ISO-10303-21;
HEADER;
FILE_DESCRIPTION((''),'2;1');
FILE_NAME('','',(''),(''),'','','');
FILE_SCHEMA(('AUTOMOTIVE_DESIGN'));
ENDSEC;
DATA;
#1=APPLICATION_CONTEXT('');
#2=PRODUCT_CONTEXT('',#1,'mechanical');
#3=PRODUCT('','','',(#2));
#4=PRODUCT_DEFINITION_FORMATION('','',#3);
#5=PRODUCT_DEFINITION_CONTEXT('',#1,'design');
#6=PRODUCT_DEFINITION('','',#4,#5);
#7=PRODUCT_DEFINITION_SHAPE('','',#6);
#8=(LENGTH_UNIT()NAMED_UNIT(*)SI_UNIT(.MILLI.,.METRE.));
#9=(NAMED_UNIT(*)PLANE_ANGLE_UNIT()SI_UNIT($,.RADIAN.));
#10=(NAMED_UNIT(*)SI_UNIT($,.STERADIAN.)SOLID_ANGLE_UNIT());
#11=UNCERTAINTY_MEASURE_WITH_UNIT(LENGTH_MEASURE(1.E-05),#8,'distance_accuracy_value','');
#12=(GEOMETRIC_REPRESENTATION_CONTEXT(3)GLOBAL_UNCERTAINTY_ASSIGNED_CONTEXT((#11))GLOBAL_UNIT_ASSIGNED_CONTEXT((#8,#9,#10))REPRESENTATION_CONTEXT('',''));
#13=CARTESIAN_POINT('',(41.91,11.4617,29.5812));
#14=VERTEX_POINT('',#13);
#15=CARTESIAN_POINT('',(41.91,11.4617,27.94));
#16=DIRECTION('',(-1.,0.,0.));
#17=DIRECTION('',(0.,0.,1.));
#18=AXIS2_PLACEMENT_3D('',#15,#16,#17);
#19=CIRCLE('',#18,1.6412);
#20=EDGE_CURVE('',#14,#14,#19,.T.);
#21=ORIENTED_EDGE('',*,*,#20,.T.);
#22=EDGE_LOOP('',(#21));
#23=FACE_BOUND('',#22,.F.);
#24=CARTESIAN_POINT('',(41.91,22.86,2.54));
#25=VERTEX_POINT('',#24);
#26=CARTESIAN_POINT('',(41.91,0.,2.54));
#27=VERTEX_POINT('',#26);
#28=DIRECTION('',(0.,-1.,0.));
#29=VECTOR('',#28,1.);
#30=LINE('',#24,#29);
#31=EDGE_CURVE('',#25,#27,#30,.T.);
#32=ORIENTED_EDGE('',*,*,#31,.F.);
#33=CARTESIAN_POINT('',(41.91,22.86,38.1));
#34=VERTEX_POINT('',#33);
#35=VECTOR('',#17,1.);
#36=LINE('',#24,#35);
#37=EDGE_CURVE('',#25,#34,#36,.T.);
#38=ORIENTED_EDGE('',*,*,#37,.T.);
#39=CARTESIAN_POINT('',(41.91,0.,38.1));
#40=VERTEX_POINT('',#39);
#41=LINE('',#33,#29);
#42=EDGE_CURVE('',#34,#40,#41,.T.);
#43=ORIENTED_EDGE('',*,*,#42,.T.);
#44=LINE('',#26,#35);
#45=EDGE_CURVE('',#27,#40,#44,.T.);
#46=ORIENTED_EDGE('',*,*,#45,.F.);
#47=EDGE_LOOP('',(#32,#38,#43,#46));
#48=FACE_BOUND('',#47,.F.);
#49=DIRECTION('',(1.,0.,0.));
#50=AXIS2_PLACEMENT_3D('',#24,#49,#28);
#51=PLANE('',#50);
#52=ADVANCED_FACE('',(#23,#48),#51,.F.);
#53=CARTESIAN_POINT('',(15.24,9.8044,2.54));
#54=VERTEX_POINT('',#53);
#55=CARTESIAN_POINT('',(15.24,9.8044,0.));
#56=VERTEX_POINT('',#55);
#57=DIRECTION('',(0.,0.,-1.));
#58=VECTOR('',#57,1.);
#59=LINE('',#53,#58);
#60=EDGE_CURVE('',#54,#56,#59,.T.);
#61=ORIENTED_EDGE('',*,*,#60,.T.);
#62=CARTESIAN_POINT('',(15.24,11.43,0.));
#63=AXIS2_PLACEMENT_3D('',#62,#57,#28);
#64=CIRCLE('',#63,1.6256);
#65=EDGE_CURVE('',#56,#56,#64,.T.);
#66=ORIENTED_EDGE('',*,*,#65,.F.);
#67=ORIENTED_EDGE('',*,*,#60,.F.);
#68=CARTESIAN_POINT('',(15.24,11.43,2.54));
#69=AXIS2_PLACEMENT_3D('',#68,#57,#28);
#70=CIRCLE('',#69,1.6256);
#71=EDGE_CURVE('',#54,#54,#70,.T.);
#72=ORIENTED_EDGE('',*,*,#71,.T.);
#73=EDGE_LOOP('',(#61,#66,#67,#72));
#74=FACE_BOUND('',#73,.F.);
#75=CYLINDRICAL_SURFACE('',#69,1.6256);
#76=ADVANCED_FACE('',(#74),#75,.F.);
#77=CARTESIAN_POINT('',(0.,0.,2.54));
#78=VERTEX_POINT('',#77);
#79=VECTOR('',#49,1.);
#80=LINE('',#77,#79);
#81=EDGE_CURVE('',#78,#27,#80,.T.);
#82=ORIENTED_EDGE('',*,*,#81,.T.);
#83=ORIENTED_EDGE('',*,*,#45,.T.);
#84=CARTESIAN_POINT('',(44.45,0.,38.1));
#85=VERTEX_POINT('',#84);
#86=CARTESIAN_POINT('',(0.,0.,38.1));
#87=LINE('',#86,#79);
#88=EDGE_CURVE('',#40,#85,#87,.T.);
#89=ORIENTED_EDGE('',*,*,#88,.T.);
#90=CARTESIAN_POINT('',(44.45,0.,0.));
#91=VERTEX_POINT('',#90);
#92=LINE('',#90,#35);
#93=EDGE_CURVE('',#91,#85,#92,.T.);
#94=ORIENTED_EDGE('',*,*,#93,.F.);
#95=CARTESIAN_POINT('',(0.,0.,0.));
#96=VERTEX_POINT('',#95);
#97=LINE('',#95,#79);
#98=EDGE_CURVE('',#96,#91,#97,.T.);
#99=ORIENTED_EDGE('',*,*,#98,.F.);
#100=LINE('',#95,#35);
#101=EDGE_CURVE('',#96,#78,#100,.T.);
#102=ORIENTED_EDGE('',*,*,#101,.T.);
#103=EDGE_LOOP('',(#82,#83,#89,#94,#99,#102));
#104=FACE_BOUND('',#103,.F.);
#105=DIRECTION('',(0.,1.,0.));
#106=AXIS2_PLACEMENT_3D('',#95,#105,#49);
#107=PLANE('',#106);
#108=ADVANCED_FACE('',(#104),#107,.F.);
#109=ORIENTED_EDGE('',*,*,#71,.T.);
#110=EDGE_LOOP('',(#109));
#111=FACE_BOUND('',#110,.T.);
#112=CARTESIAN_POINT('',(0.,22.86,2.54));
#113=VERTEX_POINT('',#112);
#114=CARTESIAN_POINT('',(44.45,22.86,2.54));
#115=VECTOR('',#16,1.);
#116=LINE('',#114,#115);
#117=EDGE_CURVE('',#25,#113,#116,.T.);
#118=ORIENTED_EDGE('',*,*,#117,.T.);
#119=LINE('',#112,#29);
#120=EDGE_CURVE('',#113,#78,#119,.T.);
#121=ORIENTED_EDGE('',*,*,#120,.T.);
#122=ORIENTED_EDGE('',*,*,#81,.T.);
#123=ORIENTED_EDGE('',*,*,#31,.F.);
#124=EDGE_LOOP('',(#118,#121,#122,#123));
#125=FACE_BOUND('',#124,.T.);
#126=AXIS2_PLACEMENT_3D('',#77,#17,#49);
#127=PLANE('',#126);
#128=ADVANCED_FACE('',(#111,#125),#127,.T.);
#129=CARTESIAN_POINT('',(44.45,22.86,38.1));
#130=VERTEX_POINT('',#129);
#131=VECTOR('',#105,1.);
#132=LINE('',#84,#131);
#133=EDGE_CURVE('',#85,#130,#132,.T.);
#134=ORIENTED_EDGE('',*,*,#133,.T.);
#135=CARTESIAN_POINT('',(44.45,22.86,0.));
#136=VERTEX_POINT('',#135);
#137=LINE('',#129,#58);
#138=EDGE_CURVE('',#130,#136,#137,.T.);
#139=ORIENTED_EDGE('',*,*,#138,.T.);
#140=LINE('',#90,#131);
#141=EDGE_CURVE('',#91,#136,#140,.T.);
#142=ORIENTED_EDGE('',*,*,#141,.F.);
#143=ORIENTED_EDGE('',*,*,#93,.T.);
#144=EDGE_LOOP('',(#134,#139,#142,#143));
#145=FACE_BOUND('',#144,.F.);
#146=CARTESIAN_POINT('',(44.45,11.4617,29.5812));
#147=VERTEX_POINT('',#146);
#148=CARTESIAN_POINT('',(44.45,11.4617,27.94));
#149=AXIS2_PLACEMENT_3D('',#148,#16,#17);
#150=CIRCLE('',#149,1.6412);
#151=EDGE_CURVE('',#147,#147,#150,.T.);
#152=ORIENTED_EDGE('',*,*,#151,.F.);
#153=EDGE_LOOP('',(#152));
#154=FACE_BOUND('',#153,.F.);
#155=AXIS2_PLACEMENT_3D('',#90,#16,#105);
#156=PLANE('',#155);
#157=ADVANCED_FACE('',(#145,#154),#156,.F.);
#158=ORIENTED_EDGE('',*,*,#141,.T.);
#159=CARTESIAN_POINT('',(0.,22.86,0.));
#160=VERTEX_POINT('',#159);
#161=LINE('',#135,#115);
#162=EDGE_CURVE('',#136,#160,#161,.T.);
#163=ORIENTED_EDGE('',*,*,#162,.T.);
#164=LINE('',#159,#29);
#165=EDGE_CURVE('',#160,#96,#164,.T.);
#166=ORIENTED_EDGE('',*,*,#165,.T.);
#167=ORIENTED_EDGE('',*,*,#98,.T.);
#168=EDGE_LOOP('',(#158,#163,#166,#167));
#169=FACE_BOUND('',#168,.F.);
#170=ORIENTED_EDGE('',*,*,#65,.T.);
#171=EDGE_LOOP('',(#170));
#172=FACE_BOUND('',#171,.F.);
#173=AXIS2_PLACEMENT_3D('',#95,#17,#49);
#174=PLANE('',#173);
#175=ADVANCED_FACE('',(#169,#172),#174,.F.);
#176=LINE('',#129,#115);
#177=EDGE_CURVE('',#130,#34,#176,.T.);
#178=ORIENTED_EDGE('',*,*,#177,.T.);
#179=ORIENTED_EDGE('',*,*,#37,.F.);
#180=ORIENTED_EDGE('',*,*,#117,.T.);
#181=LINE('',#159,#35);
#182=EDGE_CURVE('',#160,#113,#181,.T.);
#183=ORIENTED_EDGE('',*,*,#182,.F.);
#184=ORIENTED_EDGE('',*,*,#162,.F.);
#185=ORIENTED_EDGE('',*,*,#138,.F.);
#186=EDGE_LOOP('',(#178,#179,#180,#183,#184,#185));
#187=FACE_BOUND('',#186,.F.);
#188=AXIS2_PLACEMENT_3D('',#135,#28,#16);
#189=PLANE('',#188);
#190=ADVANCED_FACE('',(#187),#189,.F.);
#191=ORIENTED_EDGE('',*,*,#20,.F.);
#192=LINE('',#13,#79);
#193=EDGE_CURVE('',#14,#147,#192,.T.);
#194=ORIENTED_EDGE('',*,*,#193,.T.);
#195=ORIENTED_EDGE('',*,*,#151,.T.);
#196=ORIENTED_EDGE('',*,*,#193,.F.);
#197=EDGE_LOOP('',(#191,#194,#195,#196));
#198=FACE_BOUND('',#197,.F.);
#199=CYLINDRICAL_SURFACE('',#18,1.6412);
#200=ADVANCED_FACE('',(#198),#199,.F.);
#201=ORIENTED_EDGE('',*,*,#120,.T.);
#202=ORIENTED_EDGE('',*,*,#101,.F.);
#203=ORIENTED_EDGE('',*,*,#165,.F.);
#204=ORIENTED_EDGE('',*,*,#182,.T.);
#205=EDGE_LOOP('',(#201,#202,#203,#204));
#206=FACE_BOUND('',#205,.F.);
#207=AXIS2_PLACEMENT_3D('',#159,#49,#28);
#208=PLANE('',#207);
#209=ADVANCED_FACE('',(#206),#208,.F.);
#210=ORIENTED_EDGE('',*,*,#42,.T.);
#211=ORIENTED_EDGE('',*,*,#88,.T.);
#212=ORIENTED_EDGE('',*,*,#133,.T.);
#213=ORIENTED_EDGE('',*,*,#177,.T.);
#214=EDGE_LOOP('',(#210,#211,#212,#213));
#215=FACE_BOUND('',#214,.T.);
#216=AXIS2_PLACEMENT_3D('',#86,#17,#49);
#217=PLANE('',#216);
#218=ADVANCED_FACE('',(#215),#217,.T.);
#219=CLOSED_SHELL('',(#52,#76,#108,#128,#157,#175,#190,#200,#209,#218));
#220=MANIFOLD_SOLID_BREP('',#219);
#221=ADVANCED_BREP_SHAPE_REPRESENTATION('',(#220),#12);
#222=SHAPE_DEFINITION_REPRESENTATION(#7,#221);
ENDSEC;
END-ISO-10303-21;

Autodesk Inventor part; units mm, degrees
ref_plane "YZ Plane" through (0, 0, 0) normal (1, 0, 0) x (0, 1, 0)
ref_plane "XZ Plane" through (0, 0, 0) normal (0, 1, 0) x (-1, 0, 0)
ref_plane "XY Plane" through (0, 0, 0) normal (0, 0, 1) x (1, 0, 0)
sketch "Sketch1" plane through (0, 0, 0) normal (0, 0, 1) x (1, 0, 0)
  line L0 (0, 0) -> (44.45, 0)
  line L1 (44.45, 0) -> (44.45, 22.86)
  line L2 (44.45, 22.86) -> (0, 22.86)
  line L3 (0, 22.86) -> (0, 0)
  dimension "d0" = 22.86
  dimension "d1" = 44.45
extrude "Extrusion1" add sketch "Sketch1" along normal blind 2.54
sketch "Sketch2" plane through (0, 0, 2.54) normal (0, 0, 1) x (1, 0, 0)
  line L0 (0, 0) -> (44.45, 0) projected
  line L1 (44.45, 22.86) -> (41.91, 22.86)
  line L2 (41.91, 22.86) -> (41.91, 0)
  line L3 (41.91, 0) -> (44.45, 0)
  line L4 (44.45, 0) -> (44.45, 22.86)
  dimension "d4" = 2.54
extrude "Extrusion2" add sketch "Sketch2" along normal blind 35.56
sketch "Sketch4" plane through (0, 0, 2.54) normal (0, 0, 1) x (1, 0, 0)
  line L0 (-11.3987, 11.43) -> (43.7828, 11.43) construction
  line L1 (0, 0) -> (41.91, 0) construction
  line L2 (41.91, 0) -> (41.91, 22.86) construction
  line L3 (41.91, 22.86) -> (0, 22.86) construction
  line L4 (0, 22.86) -> (0, 0) construction
  line L5 (0, 0) -> (41.91, 0) construction
  point P0 (15.24, 11.43)
  dimension "d16" = 11.43
  dimension "d17" = 26.67
hole "Hole2" at (15.24, 11.43, 2.54) direction (0, 0, -1) diameter 3.2512 end through all
sketch "Sketch5" plane through (41.91, 0, 2.54) normal (-1, 0, 0) x (0, 0, 1)
  line L0 (24.13, 11.4617) -> (25.4, 11.4617)
  circle A0 centre (25.4, 11.4617) radius 1.6412
  line L1 (0, 0) -> (0, 22.86) projected
  point P0 (-2.54, 0)
  dimension "d25" = 1.27
  dimension "d28" = 25.4
extrude "Extrusion3" cut sketch "Sketch5" against normal blind 25.4
properties part number "000102 (revised)"
